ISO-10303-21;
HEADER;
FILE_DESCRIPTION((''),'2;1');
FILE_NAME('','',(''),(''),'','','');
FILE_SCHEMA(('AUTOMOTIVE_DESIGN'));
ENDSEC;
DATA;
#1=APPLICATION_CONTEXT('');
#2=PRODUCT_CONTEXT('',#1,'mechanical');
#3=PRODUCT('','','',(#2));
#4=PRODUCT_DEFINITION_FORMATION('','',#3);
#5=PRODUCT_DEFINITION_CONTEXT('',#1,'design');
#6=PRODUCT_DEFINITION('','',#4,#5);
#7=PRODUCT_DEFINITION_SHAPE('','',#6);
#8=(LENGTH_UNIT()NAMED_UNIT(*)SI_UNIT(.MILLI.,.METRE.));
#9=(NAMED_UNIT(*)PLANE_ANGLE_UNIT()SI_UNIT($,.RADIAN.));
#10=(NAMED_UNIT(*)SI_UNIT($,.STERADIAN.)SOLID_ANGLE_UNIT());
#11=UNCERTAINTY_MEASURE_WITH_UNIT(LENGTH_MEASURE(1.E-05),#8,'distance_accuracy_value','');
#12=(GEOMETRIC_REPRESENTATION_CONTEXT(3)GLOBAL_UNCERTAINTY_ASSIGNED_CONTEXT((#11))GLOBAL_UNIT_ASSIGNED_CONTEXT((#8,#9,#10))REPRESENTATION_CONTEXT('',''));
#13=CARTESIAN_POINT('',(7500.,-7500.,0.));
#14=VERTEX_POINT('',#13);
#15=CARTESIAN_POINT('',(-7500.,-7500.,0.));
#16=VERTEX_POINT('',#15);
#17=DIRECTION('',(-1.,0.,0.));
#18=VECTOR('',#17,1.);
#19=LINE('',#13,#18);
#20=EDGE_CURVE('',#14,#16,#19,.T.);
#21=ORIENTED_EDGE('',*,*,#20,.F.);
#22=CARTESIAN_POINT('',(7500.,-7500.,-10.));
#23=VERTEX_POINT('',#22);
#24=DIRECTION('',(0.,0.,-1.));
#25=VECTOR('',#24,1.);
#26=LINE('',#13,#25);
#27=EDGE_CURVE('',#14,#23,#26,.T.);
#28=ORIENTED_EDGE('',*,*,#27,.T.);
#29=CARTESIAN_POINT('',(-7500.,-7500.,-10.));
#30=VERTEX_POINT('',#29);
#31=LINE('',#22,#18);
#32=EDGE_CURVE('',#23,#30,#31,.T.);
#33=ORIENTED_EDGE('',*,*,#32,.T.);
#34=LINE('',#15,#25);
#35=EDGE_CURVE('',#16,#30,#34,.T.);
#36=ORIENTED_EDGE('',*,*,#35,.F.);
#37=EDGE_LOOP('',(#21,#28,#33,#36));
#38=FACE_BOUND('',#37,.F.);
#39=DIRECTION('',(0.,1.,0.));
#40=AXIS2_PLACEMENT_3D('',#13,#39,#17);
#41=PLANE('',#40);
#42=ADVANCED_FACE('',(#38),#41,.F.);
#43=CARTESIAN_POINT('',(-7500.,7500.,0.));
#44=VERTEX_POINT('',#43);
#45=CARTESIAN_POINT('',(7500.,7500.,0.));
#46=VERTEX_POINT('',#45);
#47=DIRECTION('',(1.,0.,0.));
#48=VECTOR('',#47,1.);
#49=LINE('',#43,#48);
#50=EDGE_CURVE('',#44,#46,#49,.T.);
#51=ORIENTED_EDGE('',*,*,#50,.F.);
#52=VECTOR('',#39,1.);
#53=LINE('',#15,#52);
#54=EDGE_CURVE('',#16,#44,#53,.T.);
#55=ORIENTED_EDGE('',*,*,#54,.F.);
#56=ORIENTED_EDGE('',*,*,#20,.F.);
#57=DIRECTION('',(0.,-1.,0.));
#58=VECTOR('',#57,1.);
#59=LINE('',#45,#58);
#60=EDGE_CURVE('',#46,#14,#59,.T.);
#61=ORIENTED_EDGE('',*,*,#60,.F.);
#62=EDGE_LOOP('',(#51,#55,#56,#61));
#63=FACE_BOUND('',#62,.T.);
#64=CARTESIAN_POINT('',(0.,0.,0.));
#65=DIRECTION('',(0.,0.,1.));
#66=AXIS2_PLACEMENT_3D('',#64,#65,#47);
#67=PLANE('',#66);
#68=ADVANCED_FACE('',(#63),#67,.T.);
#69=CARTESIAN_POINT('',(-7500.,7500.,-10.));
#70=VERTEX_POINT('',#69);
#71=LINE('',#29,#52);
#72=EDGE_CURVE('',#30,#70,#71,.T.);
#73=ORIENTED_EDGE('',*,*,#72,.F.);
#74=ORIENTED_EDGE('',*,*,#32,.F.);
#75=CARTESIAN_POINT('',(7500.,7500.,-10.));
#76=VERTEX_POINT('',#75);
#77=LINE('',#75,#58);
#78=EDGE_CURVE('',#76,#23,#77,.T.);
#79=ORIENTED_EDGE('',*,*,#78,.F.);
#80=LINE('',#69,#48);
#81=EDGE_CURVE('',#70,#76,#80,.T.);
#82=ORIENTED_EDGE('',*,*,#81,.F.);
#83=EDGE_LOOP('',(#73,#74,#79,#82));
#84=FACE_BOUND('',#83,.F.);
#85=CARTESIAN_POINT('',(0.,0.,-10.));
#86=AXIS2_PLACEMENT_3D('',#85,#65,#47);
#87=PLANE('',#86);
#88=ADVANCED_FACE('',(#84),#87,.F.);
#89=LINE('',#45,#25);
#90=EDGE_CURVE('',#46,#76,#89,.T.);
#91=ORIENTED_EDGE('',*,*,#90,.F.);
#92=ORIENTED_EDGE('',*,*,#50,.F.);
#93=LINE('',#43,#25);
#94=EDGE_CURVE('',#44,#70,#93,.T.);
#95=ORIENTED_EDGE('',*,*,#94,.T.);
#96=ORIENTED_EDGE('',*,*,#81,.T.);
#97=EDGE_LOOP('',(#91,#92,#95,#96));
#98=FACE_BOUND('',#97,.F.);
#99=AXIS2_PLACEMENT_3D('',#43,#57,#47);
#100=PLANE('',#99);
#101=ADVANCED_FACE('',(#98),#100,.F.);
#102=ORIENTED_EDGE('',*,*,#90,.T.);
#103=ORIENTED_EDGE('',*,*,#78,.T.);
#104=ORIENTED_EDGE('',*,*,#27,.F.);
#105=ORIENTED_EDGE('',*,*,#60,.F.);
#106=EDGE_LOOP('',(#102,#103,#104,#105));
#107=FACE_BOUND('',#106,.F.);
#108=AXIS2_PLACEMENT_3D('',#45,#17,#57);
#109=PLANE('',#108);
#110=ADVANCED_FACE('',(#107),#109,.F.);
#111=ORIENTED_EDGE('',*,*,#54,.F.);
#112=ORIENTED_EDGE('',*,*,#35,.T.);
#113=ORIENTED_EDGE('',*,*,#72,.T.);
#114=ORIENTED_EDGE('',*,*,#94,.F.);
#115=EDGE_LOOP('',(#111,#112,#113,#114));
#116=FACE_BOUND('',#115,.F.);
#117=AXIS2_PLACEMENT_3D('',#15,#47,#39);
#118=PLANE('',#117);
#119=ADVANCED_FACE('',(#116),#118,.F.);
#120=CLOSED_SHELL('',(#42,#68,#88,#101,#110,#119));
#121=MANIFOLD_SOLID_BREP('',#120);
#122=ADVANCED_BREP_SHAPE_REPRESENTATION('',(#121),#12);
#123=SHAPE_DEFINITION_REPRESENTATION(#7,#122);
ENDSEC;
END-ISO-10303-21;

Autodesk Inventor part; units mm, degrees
ref_plane "YZ Plane" through (0, 0, 0) normal (1, 0, 0) x (0, 1, 0)
ref_plane "XZ Plane" through (0, 0, 0) normal (0, 1, 0) x (-1, 0, 0)
ref_plane "XY Plane" through (0, 0, 0) normal (0, 0, 1) x (1, 0, 0)
ref_plane "Arbeitsebene1" through (0, 0, 0) normal (0, 0, 1) x (1, 0, 0)
sketch "Skizze1" plane through (0, 0, 0) normal (0, 0, 1) x (1, 0, 0)
  line L0 (7500, -7500) -> (-7500, -7500)
  line L1 (-7500, -7500) -> (-7500, 7500)
  line L2 (-7500, 7500) -> (7500, 7500)
  line L3 (7500, 7500) -> (7500, -7500)
  point P0 (0, 0)
  point P1 (-7500, 0)
  point P2 (0, 7500)
  dimension "d0" = 15000
extrude "Extrusion1" add sketch "Skizze1" against normal blind 10
equation "\"d_tol\" = 0.3"
equation "\"d_wand\" = 1.5"
equation "\"D_oct\" = 3621.32034"
equation "\"d_traeger\" = 625"
properties part number "Boden"
